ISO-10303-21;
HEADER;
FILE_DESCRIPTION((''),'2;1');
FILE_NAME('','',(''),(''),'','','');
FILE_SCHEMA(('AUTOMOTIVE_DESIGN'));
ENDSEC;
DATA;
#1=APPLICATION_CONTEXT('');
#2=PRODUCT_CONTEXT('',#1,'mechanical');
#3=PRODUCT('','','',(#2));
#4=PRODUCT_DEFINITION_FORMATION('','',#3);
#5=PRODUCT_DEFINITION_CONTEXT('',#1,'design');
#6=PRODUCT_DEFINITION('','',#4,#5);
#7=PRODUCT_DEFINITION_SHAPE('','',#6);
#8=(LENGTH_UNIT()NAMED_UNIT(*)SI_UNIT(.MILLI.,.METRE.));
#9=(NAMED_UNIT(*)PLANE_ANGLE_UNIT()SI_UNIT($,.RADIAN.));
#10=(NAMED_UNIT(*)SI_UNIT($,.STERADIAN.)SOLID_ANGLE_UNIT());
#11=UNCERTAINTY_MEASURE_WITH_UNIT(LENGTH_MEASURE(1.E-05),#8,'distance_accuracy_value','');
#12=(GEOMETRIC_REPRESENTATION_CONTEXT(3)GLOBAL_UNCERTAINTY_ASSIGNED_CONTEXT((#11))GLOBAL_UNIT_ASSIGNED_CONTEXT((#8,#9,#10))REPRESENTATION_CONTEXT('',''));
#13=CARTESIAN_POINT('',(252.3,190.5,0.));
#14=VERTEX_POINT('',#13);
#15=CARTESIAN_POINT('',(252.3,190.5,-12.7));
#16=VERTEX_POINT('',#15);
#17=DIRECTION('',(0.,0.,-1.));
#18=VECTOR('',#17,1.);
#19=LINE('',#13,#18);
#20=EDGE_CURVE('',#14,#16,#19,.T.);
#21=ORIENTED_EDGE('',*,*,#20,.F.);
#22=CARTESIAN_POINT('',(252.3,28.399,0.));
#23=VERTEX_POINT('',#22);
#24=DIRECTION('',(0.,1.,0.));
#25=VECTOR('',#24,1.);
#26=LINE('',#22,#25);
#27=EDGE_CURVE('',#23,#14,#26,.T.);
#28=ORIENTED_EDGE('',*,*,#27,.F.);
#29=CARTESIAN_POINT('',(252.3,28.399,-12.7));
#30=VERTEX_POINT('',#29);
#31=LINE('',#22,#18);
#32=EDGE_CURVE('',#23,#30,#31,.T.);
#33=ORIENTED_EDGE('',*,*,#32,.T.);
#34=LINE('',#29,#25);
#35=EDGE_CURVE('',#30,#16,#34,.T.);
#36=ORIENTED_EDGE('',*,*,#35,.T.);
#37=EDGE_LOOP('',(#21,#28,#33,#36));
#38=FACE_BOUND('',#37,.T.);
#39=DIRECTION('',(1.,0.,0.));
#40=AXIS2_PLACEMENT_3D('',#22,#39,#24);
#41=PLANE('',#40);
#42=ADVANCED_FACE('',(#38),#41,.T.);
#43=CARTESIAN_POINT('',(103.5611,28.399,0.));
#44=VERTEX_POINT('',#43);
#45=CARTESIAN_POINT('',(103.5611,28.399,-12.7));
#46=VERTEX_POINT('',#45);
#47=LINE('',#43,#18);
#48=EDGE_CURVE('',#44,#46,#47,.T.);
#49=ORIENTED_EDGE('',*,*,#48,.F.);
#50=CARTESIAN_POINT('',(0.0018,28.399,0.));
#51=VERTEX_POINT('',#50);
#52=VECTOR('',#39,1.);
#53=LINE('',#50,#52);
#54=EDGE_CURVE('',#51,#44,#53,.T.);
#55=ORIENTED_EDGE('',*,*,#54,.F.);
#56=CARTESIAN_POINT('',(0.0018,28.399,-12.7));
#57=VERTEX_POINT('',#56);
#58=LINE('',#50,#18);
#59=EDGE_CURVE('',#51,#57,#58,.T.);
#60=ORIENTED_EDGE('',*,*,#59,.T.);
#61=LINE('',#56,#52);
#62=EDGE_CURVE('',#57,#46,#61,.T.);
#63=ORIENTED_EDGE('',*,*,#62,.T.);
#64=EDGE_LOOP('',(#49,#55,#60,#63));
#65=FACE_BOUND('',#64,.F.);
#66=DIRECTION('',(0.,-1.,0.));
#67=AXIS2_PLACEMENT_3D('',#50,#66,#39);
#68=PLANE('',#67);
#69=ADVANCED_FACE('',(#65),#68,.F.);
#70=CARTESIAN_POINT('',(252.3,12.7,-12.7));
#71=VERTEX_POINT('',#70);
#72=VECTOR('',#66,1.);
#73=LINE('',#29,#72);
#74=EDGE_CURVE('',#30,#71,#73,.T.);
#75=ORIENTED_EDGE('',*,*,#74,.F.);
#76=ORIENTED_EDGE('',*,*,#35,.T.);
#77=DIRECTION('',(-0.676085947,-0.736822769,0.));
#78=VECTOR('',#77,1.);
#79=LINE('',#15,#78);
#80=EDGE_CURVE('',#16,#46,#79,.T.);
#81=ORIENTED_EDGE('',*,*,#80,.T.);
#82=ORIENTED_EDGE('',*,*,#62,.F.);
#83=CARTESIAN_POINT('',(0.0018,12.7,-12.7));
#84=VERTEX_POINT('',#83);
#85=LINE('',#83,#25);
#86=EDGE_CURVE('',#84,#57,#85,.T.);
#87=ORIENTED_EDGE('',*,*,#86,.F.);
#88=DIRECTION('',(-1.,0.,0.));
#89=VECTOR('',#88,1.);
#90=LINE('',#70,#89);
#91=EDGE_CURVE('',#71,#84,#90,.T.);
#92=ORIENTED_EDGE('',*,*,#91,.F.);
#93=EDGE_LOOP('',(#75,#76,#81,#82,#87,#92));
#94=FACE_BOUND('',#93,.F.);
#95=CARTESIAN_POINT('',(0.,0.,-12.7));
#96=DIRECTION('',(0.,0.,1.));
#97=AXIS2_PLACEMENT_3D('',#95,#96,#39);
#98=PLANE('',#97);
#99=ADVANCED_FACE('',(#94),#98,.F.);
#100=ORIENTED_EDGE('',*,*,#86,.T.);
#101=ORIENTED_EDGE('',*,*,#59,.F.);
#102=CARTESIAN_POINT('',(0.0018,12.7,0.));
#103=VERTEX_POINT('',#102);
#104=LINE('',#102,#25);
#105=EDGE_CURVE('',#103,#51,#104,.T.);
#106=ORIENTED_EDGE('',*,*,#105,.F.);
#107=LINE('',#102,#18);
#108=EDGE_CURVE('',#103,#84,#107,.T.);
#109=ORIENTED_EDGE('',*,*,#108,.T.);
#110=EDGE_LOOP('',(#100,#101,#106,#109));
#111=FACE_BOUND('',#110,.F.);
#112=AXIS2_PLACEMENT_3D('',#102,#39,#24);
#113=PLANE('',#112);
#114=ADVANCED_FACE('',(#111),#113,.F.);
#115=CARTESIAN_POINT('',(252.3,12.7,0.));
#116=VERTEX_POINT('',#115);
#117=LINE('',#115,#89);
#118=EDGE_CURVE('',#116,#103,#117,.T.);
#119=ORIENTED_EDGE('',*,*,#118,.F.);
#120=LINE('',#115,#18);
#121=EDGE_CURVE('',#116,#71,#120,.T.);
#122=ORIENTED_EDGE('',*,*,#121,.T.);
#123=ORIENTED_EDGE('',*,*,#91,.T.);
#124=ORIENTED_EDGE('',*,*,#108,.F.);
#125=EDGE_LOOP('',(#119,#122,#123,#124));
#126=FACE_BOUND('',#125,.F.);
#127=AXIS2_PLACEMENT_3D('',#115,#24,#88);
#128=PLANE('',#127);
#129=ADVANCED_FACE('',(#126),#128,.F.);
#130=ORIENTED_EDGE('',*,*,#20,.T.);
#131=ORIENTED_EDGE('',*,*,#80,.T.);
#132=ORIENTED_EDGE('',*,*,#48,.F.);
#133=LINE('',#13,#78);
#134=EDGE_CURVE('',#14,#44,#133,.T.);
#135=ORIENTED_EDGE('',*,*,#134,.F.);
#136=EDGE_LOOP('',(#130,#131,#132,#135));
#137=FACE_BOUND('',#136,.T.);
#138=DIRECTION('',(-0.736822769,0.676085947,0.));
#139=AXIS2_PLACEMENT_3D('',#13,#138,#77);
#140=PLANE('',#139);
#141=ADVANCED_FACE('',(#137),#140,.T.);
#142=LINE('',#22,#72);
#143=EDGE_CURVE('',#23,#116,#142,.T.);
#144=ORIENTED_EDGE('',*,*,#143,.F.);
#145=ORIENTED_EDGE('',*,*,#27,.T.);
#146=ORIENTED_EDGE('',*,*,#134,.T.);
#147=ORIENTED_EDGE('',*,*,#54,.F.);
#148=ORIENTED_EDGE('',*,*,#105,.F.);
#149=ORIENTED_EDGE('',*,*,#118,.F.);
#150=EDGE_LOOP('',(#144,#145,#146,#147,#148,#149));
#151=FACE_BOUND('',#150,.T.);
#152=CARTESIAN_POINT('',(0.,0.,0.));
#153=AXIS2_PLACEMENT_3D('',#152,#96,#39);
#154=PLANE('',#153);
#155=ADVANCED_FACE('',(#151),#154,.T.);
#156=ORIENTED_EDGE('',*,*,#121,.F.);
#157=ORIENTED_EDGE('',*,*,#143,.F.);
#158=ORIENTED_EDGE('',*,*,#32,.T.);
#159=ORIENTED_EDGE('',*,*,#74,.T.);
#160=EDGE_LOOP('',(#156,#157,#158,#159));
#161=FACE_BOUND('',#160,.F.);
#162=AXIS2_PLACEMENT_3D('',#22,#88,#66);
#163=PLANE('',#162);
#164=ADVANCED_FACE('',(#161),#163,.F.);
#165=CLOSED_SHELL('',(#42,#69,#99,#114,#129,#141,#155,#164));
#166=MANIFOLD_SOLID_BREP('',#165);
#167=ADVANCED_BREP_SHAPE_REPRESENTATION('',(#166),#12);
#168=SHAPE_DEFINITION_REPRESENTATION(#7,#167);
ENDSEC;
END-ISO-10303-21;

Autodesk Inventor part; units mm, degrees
ref_plane "YZ Plane" through (0, 0, 0) normal (1, 0, 0) x (0, 1, 0)
ref_plane "XZ Plane" through (0, 0, 0) normal (0, 1, 0) x (-1, 0, 0)
ref_plane "XY Plane" through (0, 0, 0) normal (0, 0, 1) x (1, 0, 0)
sketch "Sketch1" plane through (0, 0, 0) normal (0, 0, 1) x (1, 0, 0)
  line L0 (252.3, 12.7) -> (0.0018, 12.7)
  line L1 (0.0018, 12.7) -> (0.0018, 28.399)
  line L2 (0.0018, 28.399) -> (103.5611, 28.399)
  line L3 (252.3, 28.399) -> (252.3, 12.7)
  line L4 (252.3, 190.5) -> (103.5611, 28.399)
  line L5 (252.3, 28.399) -> (252.3, 190.5)
  point P0 (0, 0)
  point P1 (0, 12.7)
  dimension "d2" = 220
extrude "Extrusion1" add sketch "Sketch1" against normal blind 12.7
